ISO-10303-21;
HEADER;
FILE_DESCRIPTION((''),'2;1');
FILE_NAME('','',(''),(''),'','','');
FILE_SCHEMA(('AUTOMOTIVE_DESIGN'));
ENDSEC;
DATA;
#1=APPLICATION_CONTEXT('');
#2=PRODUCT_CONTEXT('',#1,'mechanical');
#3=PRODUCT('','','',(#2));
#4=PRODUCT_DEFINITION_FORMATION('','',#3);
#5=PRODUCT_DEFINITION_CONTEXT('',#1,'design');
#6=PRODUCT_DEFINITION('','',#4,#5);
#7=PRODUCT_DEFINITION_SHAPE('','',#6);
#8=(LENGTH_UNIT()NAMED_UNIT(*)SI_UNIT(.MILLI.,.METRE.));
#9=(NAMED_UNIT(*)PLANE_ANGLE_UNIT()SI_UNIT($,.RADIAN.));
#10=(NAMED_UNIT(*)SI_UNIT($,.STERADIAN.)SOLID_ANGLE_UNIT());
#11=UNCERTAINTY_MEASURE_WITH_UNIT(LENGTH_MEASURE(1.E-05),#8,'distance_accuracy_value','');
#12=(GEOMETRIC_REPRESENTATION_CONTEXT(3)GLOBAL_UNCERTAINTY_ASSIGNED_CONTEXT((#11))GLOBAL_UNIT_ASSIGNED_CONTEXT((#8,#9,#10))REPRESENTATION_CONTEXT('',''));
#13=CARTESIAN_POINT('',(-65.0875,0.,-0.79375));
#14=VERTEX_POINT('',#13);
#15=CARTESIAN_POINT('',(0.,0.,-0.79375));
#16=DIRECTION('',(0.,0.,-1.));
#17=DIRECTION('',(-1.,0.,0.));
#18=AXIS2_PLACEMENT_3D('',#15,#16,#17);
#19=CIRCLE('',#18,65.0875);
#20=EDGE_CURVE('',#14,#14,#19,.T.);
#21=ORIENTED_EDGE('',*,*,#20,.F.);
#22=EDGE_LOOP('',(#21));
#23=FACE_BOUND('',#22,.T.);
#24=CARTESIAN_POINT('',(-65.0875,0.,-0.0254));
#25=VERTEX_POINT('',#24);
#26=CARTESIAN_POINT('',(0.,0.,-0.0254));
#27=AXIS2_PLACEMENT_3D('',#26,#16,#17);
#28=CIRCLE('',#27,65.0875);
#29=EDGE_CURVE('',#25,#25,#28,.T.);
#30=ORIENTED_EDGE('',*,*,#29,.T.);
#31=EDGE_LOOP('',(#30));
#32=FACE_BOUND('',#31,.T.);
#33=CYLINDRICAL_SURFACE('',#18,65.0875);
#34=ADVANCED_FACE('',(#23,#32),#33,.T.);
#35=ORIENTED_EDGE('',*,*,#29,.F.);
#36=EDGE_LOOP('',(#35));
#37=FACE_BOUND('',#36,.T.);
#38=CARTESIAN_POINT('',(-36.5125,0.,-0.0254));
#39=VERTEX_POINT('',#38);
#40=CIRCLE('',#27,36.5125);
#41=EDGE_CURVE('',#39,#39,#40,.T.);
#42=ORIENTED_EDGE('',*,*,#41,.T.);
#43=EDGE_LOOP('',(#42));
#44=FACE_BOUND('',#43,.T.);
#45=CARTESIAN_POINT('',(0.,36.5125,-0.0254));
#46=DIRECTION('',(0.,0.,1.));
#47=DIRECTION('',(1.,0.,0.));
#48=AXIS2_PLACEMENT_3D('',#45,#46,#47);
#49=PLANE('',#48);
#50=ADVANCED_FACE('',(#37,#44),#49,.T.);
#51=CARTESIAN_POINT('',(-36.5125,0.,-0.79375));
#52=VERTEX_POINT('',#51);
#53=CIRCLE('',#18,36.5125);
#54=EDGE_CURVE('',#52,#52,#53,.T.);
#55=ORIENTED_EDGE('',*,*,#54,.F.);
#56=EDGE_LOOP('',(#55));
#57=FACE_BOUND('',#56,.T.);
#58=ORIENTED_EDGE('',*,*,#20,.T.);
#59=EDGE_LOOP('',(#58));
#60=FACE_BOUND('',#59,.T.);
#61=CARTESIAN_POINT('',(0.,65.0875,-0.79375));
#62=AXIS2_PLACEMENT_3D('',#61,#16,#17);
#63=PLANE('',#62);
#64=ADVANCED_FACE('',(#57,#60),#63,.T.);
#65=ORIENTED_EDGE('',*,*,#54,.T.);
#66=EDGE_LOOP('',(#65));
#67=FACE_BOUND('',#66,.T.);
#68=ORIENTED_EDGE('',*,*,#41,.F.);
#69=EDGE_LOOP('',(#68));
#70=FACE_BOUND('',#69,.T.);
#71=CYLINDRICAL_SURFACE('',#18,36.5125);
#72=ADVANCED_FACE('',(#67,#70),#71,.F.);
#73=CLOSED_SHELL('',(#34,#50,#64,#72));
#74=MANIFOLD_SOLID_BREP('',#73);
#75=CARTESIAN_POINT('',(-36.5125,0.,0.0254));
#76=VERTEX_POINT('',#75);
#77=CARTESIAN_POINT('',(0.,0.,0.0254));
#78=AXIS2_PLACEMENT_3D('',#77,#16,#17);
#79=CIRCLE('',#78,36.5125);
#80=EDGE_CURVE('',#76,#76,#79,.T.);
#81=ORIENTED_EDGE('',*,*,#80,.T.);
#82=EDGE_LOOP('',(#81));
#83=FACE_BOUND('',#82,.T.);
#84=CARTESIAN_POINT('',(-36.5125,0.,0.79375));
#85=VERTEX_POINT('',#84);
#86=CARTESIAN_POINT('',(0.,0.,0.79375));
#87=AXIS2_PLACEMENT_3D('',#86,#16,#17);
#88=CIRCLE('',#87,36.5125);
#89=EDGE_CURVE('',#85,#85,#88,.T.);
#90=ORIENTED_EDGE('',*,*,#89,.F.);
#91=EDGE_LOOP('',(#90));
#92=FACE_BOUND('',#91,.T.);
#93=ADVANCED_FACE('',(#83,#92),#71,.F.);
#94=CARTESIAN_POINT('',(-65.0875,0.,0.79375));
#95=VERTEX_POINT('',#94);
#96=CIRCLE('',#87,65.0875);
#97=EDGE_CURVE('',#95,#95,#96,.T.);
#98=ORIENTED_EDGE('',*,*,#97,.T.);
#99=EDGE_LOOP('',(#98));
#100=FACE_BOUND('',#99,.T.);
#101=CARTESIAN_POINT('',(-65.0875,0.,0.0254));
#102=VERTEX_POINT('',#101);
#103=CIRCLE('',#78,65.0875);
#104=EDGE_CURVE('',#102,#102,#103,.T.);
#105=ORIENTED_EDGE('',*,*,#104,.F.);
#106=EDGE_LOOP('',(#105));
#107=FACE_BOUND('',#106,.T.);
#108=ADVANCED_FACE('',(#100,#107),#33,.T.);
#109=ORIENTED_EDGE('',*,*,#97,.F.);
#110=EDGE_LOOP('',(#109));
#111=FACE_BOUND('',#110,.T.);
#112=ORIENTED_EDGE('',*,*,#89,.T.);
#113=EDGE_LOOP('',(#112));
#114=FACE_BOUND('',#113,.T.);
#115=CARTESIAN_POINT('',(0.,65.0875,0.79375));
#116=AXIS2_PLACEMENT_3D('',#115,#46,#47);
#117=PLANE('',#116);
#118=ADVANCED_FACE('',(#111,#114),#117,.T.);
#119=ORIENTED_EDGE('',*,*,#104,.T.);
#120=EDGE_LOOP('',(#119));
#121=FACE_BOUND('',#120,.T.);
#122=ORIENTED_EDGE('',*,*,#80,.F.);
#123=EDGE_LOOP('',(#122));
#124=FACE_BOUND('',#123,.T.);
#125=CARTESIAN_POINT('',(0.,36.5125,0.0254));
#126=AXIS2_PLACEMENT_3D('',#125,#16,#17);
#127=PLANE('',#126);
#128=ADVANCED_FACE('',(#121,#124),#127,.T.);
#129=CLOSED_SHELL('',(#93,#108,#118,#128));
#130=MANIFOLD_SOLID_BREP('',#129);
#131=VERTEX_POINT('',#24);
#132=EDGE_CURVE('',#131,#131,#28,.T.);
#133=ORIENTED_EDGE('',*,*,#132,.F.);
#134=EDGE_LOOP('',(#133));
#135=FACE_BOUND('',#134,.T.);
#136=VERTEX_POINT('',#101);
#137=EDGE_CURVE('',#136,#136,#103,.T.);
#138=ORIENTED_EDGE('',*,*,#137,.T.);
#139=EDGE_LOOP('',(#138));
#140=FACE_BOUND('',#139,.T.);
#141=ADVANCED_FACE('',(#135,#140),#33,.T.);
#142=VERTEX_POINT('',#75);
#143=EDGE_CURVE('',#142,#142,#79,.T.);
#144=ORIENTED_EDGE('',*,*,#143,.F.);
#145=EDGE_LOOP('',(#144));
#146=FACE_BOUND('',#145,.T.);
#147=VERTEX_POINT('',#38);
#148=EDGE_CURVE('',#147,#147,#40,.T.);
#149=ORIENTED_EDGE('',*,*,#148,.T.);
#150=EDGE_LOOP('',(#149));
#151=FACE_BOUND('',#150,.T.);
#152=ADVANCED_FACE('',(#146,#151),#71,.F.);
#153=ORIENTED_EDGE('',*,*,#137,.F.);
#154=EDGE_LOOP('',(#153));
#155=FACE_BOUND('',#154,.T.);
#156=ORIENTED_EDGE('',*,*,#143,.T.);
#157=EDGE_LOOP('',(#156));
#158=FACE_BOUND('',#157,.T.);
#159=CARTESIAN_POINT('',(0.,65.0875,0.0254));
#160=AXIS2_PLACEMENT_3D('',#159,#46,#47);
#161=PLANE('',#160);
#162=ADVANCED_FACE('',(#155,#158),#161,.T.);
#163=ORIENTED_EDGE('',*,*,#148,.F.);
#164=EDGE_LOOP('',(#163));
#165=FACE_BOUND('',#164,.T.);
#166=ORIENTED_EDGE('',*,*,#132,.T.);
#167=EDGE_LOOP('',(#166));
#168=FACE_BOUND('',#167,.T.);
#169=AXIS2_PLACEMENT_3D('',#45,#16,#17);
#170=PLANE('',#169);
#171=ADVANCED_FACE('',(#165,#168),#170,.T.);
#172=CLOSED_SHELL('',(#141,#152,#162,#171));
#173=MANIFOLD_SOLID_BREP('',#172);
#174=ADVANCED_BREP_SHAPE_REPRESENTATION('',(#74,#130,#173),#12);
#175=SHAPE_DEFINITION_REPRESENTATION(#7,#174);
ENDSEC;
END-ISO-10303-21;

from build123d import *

# Parameters (mm, degrees)
SKETCH3_W = 0.0508
SKETCH3_H = 28.575
SKETCH4_W = 0.76835
SKETCH4_H = 28.575


with BuildPart() as part:
    # Sketch3 → Revolve1 (revolve)
    with BuildSketch(Plane(origin=(0, 0, 0), x_dir=(0, 0, -1), z_dir=(1, 0, 0)), mode=Mode.PRIVATE) as revolve1_sk:
        with Locations((0, 50.8)):
            Rectangle(SKETCH3_W, SKETCH3_H)
    revolve(revolve1_sk.sketch.rotate(Axis((0, 0, -0.79375), (0, 0, 1)), 90), axis=Axis((0, 0, -0.79375), (0, 0, 1)))


with BuildPart() as body_2:
    # Sketch4 → Revolve2 (revolve)
    with BuildSketch(Plane(origin=(0, 0, 0), x_dir=(0, 0, -1), z_dir=(1, 0, 0)), mode=Mode.PRIVATE) as revolve2_sk:
        with Locations((-0.409575, 50.8)):
            Rectangle(SKETCH4_W, SKETCH4_H)
        with Locations((0.409575, 50.8)):
            Rectangle(SKETCH4_W, SKETCH4_H)
    revolve(revolve2_sk.sketch.rotate(Axis((0, 0, -0.79375), (0, 0, 1)), 90), axis=Axis((0, 0, -0.79375), (0, 0, 1)))


solid = Compound([part.part, body_2.part])
